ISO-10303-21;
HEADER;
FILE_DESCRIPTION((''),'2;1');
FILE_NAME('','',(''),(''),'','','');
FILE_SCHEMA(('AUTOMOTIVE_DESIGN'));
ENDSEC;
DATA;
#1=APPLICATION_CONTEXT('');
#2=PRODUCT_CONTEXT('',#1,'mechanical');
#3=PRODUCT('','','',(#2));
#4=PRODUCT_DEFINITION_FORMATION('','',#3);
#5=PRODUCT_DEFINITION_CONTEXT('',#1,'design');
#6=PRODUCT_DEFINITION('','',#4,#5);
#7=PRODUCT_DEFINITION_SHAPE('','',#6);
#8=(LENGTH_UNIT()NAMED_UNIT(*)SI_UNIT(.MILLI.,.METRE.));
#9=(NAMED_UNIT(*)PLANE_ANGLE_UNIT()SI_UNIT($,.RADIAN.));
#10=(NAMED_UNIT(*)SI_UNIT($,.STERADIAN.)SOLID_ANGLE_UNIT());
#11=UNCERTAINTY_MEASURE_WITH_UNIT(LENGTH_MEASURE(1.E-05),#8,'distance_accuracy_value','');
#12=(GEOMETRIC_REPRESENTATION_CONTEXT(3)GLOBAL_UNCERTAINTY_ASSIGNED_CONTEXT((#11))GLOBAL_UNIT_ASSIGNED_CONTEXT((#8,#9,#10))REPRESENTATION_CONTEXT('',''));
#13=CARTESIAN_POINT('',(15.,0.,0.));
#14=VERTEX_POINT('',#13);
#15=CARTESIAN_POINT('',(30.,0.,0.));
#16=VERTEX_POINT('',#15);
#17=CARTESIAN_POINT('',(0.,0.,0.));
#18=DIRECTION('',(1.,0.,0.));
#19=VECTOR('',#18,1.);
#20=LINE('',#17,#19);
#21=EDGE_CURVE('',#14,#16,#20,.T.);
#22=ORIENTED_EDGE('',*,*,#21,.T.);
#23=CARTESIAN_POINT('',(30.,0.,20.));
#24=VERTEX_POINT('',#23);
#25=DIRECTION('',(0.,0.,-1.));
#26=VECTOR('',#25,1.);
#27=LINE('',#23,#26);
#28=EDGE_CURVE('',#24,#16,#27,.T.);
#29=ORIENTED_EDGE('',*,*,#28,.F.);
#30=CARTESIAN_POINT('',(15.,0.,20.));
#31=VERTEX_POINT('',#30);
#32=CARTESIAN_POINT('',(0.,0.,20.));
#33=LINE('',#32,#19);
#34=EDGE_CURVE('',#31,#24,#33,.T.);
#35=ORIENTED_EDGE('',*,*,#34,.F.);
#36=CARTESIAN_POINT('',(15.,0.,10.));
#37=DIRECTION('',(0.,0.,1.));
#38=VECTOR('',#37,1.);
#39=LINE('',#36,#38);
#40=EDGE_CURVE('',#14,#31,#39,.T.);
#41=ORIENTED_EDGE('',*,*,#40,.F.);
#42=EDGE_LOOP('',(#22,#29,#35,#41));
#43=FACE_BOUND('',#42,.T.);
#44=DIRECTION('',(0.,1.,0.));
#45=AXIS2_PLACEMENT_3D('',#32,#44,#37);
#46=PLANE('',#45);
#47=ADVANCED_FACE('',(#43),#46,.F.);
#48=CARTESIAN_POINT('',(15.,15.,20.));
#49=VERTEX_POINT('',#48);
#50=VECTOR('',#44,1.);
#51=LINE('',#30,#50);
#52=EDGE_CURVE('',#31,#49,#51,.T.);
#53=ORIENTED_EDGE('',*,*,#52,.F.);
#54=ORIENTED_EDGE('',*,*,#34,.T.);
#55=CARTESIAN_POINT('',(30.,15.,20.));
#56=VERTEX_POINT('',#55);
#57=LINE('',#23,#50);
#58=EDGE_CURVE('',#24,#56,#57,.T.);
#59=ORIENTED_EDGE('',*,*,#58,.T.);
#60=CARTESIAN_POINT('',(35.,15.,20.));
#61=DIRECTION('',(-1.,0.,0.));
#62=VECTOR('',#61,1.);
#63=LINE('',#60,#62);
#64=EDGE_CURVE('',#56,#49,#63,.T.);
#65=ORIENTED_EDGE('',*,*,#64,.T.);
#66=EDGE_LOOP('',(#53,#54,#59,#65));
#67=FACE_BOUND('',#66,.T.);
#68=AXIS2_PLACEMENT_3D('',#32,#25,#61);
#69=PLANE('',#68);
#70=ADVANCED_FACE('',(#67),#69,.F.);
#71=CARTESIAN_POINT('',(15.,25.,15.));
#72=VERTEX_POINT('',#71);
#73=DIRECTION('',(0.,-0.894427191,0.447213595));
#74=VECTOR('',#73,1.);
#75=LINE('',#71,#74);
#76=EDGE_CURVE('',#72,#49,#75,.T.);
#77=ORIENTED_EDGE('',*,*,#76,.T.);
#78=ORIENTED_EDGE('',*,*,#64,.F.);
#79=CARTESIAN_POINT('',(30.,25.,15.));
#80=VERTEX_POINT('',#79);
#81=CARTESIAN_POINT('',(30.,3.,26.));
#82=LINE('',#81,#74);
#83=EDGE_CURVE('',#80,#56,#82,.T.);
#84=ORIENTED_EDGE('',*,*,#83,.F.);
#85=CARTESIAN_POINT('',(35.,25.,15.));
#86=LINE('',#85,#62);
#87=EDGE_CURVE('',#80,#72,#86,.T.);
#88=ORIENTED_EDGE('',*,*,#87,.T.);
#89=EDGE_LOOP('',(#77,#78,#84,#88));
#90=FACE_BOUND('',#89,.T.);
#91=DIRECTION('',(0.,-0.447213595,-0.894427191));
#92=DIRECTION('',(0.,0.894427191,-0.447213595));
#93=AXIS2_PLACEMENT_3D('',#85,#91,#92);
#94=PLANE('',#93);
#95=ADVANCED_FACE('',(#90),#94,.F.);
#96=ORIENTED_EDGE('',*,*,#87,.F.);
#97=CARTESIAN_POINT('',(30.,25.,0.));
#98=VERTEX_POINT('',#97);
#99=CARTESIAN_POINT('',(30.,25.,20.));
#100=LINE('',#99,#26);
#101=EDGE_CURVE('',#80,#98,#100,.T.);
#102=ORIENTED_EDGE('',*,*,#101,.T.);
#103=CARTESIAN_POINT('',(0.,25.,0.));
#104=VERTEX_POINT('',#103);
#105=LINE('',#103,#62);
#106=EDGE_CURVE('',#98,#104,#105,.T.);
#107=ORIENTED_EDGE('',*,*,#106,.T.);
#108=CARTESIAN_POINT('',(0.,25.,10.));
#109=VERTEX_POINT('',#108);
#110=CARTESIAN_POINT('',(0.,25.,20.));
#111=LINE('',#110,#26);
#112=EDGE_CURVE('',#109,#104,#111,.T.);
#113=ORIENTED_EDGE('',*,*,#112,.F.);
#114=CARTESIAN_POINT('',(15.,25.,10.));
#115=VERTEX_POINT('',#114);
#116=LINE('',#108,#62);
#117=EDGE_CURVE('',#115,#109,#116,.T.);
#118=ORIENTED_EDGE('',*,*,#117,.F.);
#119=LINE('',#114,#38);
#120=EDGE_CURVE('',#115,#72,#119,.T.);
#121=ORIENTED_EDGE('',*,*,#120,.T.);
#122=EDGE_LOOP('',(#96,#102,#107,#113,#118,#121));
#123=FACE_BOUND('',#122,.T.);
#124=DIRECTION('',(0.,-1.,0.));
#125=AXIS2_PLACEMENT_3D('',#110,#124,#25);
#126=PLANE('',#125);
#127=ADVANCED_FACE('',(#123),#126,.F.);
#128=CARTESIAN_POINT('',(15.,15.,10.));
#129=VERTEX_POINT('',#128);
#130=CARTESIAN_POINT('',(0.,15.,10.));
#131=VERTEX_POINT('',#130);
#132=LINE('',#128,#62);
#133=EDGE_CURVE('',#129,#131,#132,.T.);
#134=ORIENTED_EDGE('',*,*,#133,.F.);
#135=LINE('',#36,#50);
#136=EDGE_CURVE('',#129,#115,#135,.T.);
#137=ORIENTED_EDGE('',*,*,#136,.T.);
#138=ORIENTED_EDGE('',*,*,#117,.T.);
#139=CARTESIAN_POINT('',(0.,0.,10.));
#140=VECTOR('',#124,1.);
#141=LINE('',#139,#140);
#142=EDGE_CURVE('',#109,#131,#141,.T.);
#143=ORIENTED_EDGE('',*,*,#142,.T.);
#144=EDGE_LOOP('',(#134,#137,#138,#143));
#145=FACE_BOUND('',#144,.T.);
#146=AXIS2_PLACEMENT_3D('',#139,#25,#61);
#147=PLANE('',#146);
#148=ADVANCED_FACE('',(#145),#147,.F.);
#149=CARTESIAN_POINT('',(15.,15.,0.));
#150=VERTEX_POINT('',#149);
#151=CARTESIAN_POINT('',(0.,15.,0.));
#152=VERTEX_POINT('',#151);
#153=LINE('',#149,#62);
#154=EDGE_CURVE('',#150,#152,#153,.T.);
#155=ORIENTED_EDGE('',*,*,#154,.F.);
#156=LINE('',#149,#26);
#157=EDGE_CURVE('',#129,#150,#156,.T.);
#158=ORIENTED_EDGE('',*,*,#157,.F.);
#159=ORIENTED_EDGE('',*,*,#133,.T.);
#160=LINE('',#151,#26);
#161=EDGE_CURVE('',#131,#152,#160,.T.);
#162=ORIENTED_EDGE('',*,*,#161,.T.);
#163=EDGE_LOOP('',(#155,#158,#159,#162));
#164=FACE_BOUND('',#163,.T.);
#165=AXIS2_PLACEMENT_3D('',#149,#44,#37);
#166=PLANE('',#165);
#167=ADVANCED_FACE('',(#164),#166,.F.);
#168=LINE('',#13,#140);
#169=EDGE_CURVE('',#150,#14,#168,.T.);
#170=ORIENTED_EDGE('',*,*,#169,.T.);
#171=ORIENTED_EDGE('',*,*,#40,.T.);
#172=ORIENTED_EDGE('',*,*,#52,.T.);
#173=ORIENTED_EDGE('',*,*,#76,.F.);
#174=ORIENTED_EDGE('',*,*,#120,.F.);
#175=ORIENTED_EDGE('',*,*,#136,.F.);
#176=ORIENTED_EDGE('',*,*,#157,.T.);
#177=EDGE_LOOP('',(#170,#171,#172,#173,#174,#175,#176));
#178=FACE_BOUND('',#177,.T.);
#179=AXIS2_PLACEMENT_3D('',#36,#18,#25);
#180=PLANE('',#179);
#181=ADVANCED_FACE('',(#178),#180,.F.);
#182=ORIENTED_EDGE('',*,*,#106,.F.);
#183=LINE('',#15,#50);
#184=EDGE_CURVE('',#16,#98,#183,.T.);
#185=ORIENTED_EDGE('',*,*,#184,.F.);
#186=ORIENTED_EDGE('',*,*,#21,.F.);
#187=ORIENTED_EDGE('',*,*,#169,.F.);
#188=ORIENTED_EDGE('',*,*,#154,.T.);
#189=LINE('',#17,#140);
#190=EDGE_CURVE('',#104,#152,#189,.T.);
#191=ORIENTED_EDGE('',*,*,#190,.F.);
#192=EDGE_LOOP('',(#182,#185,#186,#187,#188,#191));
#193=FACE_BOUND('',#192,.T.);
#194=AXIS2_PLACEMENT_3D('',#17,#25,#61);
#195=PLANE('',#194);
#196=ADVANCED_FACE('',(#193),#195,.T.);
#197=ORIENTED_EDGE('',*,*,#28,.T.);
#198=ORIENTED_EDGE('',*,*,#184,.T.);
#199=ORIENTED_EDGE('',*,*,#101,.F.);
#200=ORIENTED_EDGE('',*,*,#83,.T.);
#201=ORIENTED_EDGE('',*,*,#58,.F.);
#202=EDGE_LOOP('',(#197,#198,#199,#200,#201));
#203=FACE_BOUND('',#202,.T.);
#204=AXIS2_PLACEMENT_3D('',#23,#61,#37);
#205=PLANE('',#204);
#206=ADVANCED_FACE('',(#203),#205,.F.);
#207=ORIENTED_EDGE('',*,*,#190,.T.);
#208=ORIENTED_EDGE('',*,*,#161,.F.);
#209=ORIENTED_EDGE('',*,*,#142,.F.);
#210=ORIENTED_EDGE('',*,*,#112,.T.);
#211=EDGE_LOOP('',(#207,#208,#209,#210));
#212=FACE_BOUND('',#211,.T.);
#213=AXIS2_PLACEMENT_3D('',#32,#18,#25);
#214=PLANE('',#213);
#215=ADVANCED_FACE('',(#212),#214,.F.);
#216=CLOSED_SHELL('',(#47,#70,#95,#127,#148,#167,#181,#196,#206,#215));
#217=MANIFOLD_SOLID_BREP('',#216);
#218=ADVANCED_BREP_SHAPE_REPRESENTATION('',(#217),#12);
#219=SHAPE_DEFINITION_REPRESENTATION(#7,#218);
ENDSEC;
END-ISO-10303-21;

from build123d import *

# Parameters (mm, degrees)
SKETCH1_W           = 30
SKETCH1_H           = 25
BOSS_EXTRUDE1_DEPTH = 20
SKETCH2_W           = 15
SKETCH2_H           = 25
CUT_EXTRUDE1_DEPTH  = 10
CUT_EXTRUDE2_DEPTH  = 20
SKETCH4_W           = 10
SKETCH4_H           = 15
CUT_EXTRUDE3_DEPTH  = 15


with BuildPart() as part:
    # Sketch1 → Boss-Extrude1 (new body)
    with BuildSketch(Plane.XY):
        with Locations((15, 12.5)):
            Rectangle(SKETCH1_W, SKETCH1_H)
    extrude(amount=BOSS_EXTRUDE1_DEPTH)

    # Sketch2 → Cut-Extrude1 (cut)
    with BuildSketch(Plane.XY.offset(20)):
        with Locations((7.5, 12.5)):
            Rectangle(SKETCH2_W, SKETCH2_H)
    extrude(amount=-CUT_EXTRUDE1_DEPTH, mode=Mode.SUBTRACT)

    # Sketch3 → Cut-Extrude2 (cut)
    with BuildSketch(Plane.ZY.offset(-15)):
        Polygon((15, 25), (20, 15), (20, 25), align=None)
    extrude(amount=-CUT_EXTRUDE2_DEPTH, mode=Mode.SUBTRACT)

    # Sketch4 → Cut-Extrude3 (cut)
    with BuildSketch(Plane.ZY):
        with Locations((5, 7.5)):
            Rectangle(SKETCH4_W, SKETCH4_H)
    extrude(amount=-CUT_EXTRUDE3_DEPTH, mode=Mode.SUBTRACT)


solid = part.part
